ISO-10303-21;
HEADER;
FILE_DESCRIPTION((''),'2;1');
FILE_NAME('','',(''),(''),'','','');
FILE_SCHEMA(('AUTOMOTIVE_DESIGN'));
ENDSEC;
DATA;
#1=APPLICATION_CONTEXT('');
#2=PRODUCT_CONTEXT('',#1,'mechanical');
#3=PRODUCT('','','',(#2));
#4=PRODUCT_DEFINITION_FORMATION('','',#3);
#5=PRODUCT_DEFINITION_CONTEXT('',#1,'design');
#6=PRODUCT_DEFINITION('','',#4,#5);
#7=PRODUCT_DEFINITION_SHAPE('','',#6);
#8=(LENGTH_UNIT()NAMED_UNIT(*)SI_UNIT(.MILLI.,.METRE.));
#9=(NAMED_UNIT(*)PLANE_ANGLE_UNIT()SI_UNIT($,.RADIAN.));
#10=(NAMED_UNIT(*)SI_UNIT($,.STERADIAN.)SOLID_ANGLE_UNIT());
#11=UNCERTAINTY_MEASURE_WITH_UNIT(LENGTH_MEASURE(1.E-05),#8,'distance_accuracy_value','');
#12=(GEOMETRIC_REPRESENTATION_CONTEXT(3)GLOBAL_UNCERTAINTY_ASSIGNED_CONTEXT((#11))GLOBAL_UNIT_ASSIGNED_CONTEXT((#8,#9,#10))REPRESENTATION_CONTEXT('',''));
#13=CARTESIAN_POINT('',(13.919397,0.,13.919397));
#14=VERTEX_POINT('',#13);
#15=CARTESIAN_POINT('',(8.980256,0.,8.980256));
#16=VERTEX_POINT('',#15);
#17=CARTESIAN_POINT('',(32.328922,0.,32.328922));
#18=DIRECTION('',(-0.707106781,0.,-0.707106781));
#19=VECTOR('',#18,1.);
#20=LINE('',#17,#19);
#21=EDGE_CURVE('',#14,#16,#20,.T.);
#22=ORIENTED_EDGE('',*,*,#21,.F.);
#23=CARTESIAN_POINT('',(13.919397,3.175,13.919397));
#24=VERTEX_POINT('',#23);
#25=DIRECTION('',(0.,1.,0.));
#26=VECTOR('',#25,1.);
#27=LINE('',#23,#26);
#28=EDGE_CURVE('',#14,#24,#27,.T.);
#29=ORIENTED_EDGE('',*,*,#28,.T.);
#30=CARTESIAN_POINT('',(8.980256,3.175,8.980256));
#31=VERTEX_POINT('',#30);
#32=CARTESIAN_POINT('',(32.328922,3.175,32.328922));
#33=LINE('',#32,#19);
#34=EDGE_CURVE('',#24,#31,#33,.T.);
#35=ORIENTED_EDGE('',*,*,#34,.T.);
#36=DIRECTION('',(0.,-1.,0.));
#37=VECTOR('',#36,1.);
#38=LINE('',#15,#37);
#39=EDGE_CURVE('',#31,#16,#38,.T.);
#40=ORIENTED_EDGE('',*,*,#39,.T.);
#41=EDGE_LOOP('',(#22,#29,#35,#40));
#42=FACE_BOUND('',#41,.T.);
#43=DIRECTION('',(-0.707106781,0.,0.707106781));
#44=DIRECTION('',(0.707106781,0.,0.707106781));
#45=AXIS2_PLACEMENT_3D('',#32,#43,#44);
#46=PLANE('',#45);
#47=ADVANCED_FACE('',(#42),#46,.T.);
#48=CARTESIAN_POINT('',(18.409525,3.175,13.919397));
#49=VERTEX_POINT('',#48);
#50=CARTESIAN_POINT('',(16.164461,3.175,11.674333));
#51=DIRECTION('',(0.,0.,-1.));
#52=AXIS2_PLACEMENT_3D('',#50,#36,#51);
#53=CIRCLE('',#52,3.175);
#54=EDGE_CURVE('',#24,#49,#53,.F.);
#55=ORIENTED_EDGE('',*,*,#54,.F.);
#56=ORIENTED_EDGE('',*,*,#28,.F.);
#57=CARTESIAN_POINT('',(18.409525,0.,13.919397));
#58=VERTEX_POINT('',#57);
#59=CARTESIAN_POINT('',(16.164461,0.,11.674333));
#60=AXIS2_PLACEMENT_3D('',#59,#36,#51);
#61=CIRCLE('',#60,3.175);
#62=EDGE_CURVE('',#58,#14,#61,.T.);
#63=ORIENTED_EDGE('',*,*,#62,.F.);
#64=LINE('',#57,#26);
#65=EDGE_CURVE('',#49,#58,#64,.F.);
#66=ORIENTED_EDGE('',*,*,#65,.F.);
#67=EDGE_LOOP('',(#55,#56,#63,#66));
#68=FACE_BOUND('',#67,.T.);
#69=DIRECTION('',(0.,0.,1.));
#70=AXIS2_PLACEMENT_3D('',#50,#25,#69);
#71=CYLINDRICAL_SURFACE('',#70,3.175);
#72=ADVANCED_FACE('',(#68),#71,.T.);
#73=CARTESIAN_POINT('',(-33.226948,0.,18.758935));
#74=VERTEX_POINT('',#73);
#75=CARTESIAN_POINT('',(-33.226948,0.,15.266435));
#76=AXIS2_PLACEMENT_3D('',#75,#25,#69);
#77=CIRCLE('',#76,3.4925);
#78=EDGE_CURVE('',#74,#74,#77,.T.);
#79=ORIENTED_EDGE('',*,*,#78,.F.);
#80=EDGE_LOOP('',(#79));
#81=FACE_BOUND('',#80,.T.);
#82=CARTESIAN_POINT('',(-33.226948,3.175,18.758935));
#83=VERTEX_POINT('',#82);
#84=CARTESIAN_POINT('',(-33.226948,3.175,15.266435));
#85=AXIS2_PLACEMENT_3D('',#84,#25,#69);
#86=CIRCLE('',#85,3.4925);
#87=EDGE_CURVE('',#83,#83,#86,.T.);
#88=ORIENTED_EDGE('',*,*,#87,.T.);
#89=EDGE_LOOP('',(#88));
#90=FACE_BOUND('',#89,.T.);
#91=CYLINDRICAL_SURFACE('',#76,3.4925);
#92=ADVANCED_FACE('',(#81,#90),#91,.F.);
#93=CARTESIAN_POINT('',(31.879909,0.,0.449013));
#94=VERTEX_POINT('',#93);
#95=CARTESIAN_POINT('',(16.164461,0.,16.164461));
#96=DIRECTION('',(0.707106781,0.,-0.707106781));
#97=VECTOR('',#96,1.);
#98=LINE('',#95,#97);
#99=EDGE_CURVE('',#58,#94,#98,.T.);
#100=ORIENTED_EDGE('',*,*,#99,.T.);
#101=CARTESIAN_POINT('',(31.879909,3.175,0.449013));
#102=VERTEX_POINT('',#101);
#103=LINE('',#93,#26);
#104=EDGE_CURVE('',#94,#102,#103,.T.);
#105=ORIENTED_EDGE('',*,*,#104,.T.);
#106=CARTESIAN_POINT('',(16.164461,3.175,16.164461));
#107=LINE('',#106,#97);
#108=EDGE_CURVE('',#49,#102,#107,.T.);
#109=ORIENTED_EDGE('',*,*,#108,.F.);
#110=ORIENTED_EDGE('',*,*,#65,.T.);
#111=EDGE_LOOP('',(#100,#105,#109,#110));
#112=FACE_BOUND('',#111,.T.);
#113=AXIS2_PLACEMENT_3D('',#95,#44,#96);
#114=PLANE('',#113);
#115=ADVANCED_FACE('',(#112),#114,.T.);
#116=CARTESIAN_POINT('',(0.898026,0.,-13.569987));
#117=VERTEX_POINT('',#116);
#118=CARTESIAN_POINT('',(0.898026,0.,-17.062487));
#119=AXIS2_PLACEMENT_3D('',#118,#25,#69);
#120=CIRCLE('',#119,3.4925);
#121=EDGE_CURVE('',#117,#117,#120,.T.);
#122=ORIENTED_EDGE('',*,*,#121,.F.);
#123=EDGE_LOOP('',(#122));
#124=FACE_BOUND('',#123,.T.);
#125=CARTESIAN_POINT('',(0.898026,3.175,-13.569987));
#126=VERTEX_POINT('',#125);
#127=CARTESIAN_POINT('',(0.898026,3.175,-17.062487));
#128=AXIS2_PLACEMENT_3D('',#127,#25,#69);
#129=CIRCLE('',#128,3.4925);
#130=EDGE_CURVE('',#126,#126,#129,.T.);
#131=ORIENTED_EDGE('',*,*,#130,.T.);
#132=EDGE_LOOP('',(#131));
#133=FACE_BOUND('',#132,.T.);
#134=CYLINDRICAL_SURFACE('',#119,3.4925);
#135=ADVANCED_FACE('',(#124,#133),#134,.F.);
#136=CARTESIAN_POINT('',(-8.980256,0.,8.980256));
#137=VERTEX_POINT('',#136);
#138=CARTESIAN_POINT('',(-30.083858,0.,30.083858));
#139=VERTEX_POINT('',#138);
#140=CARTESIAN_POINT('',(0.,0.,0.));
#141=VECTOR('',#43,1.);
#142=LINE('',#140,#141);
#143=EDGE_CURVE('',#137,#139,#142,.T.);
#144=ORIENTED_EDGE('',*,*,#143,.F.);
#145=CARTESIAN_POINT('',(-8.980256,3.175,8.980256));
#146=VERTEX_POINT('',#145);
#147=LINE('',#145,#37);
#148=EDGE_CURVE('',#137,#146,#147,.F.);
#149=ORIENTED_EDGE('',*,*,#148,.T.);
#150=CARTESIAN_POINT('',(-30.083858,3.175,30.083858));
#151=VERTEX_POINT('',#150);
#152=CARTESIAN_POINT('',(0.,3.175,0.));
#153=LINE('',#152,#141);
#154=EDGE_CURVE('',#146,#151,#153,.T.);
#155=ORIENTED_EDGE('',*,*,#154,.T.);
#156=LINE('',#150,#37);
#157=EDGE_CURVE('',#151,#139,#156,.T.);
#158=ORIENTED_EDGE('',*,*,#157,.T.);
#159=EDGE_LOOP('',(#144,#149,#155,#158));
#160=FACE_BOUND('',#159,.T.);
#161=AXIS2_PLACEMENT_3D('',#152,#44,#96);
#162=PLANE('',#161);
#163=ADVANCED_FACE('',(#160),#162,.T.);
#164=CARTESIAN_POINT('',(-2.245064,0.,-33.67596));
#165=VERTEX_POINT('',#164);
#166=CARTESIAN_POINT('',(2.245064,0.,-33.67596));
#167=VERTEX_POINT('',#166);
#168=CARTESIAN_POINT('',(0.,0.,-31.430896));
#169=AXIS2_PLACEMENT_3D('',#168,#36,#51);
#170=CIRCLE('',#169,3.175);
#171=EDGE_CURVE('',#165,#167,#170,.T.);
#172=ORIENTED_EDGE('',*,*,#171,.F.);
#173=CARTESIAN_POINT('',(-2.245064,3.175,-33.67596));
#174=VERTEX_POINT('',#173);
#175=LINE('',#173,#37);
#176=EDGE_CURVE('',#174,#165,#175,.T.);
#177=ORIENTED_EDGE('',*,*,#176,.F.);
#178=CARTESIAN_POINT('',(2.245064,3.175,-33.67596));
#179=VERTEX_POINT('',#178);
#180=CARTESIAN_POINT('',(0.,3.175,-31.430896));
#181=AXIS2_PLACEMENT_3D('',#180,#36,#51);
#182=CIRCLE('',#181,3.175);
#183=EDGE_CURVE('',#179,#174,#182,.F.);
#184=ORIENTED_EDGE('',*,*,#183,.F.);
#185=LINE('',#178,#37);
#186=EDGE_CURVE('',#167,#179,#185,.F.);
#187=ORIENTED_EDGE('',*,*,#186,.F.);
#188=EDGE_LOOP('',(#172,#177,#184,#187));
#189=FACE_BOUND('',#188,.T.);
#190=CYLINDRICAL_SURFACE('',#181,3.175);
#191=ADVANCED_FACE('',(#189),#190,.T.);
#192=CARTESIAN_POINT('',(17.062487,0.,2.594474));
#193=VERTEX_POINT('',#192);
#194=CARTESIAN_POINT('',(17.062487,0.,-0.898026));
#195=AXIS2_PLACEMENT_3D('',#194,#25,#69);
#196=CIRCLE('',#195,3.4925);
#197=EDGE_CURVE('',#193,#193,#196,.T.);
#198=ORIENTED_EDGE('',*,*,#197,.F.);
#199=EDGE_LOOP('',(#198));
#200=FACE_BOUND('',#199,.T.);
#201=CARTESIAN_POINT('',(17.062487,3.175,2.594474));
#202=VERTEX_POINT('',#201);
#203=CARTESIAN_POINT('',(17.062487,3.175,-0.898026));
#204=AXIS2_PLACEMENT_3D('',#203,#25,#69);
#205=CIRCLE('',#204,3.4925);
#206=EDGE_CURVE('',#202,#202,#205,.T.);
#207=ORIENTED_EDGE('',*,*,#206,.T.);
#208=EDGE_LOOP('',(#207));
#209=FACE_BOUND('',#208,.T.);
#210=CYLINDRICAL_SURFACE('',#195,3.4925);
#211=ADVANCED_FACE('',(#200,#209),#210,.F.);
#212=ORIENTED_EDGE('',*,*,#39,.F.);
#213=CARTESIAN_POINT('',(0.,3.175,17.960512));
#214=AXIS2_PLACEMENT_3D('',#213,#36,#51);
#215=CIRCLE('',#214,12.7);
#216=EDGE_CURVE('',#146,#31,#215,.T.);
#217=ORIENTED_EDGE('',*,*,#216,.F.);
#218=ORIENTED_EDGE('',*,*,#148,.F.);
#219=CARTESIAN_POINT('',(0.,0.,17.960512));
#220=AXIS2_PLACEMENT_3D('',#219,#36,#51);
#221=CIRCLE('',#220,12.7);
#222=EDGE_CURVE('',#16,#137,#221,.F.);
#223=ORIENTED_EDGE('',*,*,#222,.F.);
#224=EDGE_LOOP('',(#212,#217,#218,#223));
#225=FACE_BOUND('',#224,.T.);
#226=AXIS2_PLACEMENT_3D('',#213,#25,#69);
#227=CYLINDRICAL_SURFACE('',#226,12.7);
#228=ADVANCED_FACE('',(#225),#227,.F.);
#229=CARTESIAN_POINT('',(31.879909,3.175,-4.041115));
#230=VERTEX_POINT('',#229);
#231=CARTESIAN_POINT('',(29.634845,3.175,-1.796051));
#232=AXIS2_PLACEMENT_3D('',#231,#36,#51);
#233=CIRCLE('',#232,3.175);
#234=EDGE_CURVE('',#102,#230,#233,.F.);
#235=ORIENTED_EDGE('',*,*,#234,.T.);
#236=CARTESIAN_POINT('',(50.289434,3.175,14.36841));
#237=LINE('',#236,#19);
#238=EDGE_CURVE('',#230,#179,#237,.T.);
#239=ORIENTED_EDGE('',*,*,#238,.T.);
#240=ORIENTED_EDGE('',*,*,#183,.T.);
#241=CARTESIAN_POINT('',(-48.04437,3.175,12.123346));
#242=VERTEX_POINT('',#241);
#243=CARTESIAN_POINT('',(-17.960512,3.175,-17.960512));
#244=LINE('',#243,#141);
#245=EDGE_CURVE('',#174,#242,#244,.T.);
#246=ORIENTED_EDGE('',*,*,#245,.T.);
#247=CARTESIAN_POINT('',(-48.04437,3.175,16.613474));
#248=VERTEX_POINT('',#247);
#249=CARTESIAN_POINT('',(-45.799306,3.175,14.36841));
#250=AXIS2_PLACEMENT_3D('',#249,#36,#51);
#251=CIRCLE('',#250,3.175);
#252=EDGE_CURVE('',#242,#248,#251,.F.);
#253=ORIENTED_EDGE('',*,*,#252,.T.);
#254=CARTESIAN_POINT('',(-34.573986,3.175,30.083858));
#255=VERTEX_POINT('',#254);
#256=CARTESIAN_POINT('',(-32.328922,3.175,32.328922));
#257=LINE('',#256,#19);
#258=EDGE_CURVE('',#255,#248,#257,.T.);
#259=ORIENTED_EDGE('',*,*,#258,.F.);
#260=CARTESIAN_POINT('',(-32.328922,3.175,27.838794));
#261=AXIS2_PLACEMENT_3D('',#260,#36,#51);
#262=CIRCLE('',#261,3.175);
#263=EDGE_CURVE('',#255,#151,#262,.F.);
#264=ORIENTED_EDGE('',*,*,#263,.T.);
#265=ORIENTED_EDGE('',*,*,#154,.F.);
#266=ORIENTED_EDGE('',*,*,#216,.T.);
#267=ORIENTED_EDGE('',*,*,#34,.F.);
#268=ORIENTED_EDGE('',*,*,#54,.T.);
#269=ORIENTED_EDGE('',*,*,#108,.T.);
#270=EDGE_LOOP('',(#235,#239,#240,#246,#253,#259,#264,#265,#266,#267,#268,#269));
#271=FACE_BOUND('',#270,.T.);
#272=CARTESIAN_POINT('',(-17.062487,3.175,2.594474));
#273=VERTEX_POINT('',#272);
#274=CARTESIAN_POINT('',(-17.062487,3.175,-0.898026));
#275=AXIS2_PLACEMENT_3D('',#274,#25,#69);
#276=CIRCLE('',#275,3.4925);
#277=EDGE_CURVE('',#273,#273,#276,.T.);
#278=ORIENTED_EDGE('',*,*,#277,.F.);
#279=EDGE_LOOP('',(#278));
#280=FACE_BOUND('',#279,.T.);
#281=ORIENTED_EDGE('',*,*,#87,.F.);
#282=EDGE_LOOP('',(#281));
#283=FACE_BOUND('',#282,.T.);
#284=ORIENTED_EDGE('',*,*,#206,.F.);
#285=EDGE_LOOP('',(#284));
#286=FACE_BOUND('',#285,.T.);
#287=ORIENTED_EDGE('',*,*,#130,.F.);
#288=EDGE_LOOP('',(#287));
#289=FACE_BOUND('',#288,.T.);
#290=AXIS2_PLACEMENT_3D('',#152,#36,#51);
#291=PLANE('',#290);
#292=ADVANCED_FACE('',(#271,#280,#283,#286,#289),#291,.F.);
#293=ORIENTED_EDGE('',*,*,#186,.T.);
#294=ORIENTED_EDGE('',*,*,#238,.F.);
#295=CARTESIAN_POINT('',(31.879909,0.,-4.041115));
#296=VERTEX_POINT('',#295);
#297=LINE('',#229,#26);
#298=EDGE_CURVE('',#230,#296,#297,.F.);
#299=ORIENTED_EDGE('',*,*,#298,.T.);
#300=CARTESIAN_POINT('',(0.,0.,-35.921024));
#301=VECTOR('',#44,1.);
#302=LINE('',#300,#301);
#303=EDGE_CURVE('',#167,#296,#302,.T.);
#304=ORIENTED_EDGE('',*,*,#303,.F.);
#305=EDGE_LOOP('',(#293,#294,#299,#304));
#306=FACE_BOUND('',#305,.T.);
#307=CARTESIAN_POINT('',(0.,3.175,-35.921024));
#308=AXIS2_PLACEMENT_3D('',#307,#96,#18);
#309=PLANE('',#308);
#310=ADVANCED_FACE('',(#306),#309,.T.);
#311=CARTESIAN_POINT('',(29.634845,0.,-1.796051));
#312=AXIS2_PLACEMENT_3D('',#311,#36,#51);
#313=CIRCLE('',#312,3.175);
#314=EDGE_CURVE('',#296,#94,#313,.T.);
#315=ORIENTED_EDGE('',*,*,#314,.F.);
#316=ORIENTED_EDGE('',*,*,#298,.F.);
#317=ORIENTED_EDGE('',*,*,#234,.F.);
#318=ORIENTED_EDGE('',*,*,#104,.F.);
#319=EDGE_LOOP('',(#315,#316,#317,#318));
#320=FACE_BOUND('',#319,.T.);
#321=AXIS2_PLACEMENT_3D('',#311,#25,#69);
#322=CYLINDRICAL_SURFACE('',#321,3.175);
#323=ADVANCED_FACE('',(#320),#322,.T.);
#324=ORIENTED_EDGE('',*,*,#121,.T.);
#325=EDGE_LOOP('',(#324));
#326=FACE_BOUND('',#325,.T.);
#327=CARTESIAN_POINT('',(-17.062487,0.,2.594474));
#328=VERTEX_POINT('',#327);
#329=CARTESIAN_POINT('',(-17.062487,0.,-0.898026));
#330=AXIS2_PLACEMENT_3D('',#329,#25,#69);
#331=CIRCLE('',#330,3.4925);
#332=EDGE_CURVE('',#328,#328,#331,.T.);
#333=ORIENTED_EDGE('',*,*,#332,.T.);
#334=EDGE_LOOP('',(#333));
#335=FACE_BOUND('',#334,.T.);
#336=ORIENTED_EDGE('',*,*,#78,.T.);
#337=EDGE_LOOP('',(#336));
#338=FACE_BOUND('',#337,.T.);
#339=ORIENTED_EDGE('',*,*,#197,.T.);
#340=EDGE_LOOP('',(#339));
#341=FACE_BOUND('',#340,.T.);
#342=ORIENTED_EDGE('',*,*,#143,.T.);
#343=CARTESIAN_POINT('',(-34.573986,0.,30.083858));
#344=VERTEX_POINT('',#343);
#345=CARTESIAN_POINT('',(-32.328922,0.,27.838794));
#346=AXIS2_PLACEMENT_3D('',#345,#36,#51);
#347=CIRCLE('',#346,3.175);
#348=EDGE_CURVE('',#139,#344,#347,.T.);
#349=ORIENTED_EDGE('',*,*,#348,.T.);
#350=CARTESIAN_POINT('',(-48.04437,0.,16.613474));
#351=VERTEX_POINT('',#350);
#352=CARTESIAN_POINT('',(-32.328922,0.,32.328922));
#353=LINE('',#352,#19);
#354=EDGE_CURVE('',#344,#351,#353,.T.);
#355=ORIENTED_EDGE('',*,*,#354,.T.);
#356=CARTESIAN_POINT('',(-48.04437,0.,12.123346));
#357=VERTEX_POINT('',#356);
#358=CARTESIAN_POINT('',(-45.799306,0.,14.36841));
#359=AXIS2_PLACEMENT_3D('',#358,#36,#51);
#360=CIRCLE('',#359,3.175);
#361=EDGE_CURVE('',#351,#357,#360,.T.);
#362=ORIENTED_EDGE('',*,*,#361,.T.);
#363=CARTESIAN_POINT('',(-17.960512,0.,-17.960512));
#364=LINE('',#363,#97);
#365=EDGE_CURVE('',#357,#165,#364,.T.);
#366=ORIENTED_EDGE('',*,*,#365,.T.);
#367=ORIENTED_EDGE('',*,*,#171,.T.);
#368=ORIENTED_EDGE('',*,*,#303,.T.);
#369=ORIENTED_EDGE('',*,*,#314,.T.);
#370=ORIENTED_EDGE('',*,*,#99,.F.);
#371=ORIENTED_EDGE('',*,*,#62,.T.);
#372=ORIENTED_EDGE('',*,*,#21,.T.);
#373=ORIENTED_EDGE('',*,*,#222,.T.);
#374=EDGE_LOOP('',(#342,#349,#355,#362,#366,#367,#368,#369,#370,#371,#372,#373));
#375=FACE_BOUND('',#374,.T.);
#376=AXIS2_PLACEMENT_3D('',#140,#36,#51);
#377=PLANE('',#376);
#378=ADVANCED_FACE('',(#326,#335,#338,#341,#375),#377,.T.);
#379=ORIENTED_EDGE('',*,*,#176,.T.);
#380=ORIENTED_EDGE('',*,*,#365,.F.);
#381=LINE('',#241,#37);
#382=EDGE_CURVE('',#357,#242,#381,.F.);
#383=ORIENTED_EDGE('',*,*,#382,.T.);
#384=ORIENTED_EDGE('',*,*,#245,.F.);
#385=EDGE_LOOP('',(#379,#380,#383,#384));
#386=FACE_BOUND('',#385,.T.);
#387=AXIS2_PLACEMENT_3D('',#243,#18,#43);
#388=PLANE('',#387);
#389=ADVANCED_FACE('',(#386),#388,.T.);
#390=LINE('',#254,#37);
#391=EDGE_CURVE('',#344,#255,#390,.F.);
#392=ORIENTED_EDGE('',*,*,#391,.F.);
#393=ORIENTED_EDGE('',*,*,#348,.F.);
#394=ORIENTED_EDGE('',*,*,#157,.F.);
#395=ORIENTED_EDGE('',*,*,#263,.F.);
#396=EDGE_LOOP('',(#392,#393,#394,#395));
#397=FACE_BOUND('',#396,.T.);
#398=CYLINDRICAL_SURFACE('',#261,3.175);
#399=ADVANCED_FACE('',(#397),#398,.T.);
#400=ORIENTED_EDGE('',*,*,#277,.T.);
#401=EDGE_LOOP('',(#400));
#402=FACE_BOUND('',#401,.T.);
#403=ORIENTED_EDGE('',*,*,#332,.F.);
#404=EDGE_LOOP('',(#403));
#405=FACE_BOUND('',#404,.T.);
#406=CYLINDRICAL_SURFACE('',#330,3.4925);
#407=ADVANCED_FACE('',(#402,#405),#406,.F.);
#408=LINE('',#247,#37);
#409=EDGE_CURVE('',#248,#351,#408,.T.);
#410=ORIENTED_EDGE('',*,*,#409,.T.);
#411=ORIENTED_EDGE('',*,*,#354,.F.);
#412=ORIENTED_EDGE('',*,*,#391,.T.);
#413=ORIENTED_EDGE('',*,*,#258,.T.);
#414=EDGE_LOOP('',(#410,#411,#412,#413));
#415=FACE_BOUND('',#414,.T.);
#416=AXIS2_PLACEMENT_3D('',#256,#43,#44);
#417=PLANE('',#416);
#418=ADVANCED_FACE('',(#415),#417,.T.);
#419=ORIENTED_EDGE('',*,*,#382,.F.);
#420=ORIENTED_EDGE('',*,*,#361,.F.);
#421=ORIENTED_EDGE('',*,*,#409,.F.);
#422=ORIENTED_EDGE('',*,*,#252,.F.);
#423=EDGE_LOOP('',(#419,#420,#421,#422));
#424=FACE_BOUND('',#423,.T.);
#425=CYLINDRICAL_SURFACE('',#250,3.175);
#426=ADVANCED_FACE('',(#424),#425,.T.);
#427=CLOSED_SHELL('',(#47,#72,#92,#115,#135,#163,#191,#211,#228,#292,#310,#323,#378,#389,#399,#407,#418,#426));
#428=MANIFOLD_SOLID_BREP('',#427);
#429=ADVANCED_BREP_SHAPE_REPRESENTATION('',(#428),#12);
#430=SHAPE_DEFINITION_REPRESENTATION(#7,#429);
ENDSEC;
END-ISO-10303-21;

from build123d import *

# Parameters (mm, degrees)
BOSS_EXTRUDE1_DEPTH = 3.175
SKETCH2_R           = 3.4925
CUT_EXTRUDE2_DEPTH  = 3.175
LPATTERN5_COUNT     = 2
LPATTERN5_PITCH     = 22.86
SKETCH7_R           = 3.4925
CUT_EXTRUDE3_DEPTH  = 3.175
LPATTERN6_COUNT     = 3
LPATTERN6_PITCH     = 22.86
SKETCH8_R           = 3.4925
CUT_EXTRUDE4_DEPTH  = 62.882370874
FILLET1_R           = 12.7
FILLET2_R           = 3.175


with BuildPart() as part:
    # Sketch1 → Boss-Extrude1 (new body)
    with BuildSketch(Plane(origin=(0, 0, 0), x_dir=(1, 0, 0), z_dir=(0, 1, 0))):
        Polygon((-17.960512242, 17.960512242), (0, 35.921024484), (17.960512242, 17.960512242), (50.289434278, -14.368409794), (32.328922036, -32.328922036), (0, 0), (-32.328922036, -32.328922036), (-50.289434278, -14.368409794), align=None)
    extrude(amount=BOSS_EXTRUDE1_DEPTH)

    # Sketch2 → Cut-Extrude2 (cut)
    with BuildSketch(Plane(origin=(0, 3.175, 0), x_dir=(1, 0, 0), z_dir=(0, 1, 0))):
        with Locations(Location((-33.226947648, -15.266435406, 0), (0, 0, 270))):
            Circle(SKETCH2_R)
    cut_extrude2 = extrude(amount=-CUT_EXTRUDE2_DEPTH, mode=Mode.SUBTRACT)

    # LPattern5: Cut-Extrude2 ×2
    with Locations(*[Vector(0.7071067811865465, 0, -0.7071067811865487) * (i * LPATTERN5_PITCH) for i in range(1, LPATTERN5_COUNT)]):
        add(cut_extrude2, mode=Mode.SUBTRACT)

    # Sketch7 → Cut-Extrude3 (cut)
    with BuildSketch(Plane(origin=(0, 3.175, 0), x_dir=(1, 0, 0), z_dir=(0, 1, 0))):
        with Locations(Location((33.226947648, -15.266435406, 0), (0, 0, 270))):
            Circle(SKETCH7_R)
    cut_extrude3 = extrude(amount=-CUT_EXTRUDE3_DEPTH, mode=Mode.SUBTRACT)

    # LPattern6: Cut-Extrude3 ×3
    with Locations(*[Vector(-0.7071067811865456, 0, -0.7071067811865496) * (i * LPATTERN6_PITCH) for i in range(1, LPATTERN6_COUNT)]):
        add(cut_extrude3, mode=Mode.SUBTRACT)

    # Sketch8 → Cut-Extrude4 (cut, through all)
    with BuildSketch(Plane(origin=(0, 3.175, 0), x_dir=(1, 0, 0), z_dir=(0, 1, 0))):
        Polygon((16.164461018, -16.164461018), (32.328922036, -32.328922036), (50.289434278, -14.368409794), (34.12497326, 1.796051224), align=None)
        with Locations((33.226947648, -15.266435406)):
            Circle(SKETCH8_R, mode=Mode.SUBTRACT)
    extrude(amount=-CUT_EXTRUDE4_DEPTH, mode=Mode.SUBTRACT)

    # Fillet1
    fillet1_edges = [part.edges().sort_by_distance(p)[0] for p in [
        (0, 1.5875, 0),
    ]]
    fillet(fillet1_edges, radius=FILLET1_R)

    # Fillet2
    fillet2_edges = [part.edges().sort_by_distance(p)[0] for p in [
        (0, 1.5875, -35.921024484),
        (-32.328922036, 1.5875, 32.328922036),
        (-50.289434278, 1.5875, 14.368409794),
        (16.164461018, 1.5875, 16.164461018),
        (34.12497326, 1.5875, -1.796051224),
    ]]
    fillet(fillet2_edges, radius=FILLET2_R)


solid = part.part
